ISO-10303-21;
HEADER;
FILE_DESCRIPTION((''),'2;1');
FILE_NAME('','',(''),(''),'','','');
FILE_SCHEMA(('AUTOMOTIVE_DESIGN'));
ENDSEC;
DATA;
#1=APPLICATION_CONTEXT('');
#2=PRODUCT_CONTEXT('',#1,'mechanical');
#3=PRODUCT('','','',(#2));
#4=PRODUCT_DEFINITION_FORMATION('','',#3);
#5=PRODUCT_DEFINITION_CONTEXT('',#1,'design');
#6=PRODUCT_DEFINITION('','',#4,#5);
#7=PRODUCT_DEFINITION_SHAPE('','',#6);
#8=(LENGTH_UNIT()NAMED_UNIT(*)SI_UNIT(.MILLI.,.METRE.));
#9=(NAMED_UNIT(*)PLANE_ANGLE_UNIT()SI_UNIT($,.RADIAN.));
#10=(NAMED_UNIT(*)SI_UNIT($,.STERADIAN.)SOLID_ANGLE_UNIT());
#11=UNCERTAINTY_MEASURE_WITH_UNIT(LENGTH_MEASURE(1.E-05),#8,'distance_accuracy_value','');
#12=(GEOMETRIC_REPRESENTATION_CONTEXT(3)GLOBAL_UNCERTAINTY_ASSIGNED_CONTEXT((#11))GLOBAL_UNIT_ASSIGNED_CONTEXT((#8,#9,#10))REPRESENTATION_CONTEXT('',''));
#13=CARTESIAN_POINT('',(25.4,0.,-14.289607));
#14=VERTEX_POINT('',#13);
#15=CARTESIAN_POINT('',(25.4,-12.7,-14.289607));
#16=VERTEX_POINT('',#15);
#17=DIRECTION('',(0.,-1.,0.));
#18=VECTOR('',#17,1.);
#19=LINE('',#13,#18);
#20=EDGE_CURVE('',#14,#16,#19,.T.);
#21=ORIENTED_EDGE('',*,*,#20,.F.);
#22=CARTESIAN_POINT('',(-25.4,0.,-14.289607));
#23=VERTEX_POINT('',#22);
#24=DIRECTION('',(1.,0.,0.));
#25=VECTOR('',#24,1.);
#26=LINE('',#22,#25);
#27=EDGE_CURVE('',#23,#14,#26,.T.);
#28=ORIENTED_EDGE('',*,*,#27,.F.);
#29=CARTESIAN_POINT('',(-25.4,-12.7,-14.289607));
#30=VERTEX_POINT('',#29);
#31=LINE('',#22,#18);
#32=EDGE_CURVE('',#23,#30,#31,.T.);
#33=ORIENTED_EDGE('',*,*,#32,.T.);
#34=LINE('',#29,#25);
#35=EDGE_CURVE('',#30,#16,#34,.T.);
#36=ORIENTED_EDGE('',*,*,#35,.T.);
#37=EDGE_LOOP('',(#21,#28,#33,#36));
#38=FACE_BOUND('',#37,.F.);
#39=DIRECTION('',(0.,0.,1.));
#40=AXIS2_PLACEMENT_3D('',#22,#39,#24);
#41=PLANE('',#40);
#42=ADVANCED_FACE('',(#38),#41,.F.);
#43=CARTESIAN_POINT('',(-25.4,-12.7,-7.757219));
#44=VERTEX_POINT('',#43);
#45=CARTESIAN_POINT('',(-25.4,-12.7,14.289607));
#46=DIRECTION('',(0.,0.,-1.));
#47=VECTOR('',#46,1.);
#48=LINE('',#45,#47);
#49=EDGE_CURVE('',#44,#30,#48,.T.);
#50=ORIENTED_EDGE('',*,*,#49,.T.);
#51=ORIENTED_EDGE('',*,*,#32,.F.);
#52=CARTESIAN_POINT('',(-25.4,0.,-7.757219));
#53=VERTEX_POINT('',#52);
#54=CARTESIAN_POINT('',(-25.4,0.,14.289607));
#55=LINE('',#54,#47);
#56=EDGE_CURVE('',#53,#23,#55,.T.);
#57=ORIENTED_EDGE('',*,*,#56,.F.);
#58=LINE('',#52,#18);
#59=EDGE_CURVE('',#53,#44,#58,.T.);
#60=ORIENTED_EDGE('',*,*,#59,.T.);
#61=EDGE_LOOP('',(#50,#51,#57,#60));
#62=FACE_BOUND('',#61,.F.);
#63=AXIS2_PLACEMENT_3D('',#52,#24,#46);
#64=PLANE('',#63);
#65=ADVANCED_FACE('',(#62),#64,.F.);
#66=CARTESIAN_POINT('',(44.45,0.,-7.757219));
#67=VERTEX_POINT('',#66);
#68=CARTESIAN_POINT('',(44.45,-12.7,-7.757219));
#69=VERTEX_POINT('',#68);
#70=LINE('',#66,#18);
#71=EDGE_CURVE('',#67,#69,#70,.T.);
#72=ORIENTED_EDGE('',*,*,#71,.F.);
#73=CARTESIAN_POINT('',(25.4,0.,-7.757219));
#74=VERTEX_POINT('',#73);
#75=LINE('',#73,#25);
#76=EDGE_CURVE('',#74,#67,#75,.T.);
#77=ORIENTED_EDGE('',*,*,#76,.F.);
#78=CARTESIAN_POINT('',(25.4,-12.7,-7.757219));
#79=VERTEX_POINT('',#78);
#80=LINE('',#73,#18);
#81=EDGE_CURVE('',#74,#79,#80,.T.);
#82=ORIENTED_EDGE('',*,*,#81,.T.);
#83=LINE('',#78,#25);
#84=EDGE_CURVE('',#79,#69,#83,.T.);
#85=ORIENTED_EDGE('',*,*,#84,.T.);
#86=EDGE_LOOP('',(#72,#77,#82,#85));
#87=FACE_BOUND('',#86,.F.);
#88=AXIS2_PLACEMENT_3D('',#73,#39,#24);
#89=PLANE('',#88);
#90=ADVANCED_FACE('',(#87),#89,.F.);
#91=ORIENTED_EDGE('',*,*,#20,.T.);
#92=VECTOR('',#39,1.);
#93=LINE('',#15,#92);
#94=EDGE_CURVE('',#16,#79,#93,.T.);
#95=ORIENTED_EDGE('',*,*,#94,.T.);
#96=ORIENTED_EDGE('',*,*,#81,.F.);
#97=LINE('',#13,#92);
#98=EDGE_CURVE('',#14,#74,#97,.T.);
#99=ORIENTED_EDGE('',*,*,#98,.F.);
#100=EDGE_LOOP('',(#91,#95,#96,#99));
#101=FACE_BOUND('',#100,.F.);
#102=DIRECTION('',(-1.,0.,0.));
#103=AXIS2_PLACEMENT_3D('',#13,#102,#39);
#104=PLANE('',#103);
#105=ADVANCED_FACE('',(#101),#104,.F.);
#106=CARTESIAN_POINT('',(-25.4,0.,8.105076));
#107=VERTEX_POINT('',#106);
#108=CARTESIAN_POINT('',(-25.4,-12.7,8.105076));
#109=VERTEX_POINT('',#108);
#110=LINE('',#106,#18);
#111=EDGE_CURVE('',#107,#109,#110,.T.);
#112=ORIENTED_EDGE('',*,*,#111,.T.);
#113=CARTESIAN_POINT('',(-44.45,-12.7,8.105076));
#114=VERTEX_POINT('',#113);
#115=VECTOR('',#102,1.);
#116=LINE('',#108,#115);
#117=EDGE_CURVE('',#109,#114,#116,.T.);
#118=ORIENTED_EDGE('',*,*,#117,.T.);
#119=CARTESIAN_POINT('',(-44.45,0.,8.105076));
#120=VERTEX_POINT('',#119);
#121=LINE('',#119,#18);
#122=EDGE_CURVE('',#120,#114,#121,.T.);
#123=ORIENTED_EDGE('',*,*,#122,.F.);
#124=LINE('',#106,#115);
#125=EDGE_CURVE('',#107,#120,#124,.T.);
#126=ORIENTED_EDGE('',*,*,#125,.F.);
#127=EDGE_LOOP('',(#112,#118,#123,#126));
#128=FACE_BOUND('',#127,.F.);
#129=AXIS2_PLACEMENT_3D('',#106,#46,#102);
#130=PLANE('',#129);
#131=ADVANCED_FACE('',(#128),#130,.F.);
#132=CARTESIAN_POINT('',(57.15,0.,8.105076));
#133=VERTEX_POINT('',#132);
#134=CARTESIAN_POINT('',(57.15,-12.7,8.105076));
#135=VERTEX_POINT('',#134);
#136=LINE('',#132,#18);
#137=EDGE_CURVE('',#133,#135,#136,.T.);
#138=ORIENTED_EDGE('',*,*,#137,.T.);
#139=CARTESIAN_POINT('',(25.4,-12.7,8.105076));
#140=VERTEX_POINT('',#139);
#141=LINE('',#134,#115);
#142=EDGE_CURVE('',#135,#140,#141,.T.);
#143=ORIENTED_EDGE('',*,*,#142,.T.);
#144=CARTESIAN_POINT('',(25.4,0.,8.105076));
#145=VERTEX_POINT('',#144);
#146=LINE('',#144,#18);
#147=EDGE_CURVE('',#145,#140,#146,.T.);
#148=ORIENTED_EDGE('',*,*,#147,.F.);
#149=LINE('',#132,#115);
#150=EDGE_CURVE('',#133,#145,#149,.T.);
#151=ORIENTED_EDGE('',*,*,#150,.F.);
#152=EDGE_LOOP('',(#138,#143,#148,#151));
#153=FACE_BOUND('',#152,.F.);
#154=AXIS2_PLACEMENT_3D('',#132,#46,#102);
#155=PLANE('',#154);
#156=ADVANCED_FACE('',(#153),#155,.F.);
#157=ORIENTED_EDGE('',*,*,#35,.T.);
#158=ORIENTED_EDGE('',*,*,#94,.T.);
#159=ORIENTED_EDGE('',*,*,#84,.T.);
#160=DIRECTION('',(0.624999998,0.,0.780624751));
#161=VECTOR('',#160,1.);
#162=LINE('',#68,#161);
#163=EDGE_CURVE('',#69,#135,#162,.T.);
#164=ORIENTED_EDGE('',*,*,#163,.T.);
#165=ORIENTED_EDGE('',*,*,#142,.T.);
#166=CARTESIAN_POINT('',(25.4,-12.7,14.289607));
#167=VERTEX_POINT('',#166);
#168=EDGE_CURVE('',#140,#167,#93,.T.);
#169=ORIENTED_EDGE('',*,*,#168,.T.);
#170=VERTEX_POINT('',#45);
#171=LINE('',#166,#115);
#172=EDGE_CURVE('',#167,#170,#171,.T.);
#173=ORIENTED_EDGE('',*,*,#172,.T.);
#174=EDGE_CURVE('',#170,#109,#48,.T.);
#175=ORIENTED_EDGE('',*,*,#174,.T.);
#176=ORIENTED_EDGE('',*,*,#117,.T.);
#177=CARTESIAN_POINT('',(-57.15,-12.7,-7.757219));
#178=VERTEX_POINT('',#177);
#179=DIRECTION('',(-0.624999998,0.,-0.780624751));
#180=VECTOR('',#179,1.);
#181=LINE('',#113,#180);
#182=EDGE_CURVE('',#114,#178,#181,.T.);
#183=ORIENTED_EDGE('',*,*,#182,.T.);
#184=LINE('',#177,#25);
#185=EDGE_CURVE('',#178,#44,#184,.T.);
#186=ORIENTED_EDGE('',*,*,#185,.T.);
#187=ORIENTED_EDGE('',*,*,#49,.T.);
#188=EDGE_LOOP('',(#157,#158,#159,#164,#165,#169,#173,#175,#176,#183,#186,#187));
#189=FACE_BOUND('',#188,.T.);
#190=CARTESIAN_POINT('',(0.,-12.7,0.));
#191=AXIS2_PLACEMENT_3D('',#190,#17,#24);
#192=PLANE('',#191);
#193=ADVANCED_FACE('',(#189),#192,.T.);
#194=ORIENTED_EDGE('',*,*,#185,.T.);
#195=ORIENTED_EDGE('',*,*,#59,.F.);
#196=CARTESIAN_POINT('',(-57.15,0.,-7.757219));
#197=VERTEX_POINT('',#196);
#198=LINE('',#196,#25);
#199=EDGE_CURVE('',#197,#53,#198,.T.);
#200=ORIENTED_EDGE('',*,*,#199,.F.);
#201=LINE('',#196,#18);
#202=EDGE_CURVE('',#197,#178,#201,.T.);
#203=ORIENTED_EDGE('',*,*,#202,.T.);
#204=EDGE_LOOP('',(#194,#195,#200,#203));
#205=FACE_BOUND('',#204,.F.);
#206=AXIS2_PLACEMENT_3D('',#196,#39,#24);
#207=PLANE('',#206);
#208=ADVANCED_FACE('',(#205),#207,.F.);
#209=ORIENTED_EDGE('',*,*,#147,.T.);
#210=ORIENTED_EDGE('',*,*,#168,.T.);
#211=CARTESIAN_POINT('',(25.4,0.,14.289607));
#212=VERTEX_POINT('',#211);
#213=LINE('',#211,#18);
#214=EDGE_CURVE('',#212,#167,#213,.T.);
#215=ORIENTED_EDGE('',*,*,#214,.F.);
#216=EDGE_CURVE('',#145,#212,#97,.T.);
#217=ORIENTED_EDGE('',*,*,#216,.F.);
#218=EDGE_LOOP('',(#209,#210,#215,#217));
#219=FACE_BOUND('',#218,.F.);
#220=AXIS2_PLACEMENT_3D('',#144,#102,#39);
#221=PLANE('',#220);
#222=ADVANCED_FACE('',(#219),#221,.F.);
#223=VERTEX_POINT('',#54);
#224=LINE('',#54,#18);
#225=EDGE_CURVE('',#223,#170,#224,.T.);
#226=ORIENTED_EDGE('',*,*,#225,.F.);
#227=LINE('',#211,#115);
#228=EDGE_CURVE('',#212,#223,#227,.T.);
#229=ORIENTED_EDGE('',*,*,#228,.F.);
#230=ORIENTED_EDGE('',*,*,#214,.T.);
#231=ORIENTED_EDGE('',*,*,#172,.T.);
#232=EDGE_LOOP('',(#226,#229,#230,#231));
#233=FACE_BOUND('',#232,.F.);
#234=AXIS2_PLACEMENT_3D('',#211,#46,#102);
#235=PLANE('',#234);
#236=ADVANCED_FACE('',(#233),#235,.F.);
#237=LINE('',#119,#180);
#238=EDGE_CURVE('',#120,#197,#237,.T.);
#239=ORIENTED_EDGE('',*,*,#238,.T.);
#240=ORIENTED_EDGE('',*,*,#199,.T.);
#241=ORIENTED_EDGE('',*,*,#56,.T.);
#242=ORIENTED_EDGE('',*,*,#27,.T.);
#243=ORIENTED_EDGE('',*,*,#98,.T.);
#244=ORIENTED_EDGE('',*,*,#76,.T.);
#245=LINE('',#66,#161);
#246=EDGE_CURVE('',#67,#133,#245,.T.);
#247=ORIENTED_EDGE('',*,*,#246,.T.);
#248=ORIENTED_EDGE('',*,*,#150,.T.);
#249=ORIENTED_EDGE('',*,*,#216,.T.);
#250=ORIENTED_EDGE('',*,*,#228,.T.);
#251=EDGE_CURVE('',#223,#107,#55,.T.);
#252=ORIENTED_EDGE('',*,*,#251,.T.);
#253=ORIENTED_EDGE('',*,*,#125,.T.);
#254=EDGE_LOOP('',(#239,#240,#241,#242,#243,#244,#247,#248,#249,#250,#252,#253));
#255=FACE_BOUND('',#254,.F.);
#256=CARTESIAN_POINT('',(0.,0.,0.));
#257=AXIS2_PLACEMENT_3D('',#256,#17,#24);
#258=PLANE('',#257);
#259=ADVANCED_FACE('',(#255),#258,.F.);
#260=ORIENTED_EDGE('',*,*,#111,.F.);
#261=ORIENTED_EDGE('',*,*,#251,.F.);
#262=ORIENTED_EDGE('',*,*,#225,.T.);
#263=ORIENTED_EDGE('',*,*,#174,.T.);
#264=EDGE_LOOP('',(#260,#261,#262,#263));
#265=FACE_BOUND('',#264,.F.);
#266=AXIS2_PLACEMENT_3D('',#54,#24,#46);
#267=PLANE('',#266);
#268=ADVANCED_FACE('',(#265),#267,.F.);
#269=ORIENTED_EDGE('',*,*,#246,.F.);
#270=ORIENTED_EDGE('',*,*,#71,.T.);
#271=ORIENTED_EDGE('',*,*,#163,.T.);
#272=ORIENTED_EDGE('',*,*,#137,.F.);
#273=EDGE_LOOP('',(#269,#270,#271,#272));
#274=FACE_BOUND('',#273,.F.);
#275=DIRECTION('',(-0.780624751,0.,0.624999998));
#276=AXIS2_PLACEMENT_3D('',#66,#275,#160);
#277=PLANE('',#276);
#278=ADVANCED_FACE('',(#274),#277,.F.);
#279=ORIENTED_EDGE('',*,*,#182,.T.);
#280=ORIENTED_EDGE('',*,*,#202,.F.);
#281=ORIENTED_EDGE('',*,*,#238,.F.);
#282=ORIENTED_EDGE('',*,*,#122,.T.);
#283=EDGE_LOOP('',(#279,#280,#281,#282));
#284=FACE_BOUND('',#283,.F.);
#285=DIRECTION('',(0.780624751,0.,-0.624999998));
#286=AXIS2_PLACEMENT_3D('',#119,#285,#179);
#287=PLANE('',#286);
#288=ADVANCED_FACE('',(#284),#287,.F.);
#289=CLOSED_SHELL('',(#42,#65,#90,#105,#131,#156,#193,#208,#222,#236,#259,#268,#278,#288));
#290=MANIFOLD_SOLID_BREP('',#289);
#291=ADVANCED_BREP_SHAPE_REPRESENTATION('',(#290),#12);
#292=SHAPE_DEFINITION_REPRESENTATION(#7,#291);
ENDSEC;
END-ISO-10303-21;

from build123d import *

# Parameters (mm, degrees)
F1_DEPTH = 12.7


with BuildPart() as f1:
    # F0 (on Front) → F1 (new body)
    with BuildSketch(Plane.XZ):
        Polygon((25.4, 14.289607), (-25.4, 14.289607), (-25.4, 8.105076), (-25.4, -7.757219), (-25.4, -14.289607), (25.4, -14.289607), (25.4, -7.757219), (25.4, 8.105076), align=None)
        Polygon((-25.4, -7.757219), (-25.4, 8.105076), (-44.45, 8.105076), (-57.15, -7.757219), align=None)
        Polygon((57.15, 8.105076), (25.4, 8.105076), (25.4, -7.757219), (44.45, -7.757219), align=None)
    extrude(amount=F1_DEPTH)


solid = f1.part
